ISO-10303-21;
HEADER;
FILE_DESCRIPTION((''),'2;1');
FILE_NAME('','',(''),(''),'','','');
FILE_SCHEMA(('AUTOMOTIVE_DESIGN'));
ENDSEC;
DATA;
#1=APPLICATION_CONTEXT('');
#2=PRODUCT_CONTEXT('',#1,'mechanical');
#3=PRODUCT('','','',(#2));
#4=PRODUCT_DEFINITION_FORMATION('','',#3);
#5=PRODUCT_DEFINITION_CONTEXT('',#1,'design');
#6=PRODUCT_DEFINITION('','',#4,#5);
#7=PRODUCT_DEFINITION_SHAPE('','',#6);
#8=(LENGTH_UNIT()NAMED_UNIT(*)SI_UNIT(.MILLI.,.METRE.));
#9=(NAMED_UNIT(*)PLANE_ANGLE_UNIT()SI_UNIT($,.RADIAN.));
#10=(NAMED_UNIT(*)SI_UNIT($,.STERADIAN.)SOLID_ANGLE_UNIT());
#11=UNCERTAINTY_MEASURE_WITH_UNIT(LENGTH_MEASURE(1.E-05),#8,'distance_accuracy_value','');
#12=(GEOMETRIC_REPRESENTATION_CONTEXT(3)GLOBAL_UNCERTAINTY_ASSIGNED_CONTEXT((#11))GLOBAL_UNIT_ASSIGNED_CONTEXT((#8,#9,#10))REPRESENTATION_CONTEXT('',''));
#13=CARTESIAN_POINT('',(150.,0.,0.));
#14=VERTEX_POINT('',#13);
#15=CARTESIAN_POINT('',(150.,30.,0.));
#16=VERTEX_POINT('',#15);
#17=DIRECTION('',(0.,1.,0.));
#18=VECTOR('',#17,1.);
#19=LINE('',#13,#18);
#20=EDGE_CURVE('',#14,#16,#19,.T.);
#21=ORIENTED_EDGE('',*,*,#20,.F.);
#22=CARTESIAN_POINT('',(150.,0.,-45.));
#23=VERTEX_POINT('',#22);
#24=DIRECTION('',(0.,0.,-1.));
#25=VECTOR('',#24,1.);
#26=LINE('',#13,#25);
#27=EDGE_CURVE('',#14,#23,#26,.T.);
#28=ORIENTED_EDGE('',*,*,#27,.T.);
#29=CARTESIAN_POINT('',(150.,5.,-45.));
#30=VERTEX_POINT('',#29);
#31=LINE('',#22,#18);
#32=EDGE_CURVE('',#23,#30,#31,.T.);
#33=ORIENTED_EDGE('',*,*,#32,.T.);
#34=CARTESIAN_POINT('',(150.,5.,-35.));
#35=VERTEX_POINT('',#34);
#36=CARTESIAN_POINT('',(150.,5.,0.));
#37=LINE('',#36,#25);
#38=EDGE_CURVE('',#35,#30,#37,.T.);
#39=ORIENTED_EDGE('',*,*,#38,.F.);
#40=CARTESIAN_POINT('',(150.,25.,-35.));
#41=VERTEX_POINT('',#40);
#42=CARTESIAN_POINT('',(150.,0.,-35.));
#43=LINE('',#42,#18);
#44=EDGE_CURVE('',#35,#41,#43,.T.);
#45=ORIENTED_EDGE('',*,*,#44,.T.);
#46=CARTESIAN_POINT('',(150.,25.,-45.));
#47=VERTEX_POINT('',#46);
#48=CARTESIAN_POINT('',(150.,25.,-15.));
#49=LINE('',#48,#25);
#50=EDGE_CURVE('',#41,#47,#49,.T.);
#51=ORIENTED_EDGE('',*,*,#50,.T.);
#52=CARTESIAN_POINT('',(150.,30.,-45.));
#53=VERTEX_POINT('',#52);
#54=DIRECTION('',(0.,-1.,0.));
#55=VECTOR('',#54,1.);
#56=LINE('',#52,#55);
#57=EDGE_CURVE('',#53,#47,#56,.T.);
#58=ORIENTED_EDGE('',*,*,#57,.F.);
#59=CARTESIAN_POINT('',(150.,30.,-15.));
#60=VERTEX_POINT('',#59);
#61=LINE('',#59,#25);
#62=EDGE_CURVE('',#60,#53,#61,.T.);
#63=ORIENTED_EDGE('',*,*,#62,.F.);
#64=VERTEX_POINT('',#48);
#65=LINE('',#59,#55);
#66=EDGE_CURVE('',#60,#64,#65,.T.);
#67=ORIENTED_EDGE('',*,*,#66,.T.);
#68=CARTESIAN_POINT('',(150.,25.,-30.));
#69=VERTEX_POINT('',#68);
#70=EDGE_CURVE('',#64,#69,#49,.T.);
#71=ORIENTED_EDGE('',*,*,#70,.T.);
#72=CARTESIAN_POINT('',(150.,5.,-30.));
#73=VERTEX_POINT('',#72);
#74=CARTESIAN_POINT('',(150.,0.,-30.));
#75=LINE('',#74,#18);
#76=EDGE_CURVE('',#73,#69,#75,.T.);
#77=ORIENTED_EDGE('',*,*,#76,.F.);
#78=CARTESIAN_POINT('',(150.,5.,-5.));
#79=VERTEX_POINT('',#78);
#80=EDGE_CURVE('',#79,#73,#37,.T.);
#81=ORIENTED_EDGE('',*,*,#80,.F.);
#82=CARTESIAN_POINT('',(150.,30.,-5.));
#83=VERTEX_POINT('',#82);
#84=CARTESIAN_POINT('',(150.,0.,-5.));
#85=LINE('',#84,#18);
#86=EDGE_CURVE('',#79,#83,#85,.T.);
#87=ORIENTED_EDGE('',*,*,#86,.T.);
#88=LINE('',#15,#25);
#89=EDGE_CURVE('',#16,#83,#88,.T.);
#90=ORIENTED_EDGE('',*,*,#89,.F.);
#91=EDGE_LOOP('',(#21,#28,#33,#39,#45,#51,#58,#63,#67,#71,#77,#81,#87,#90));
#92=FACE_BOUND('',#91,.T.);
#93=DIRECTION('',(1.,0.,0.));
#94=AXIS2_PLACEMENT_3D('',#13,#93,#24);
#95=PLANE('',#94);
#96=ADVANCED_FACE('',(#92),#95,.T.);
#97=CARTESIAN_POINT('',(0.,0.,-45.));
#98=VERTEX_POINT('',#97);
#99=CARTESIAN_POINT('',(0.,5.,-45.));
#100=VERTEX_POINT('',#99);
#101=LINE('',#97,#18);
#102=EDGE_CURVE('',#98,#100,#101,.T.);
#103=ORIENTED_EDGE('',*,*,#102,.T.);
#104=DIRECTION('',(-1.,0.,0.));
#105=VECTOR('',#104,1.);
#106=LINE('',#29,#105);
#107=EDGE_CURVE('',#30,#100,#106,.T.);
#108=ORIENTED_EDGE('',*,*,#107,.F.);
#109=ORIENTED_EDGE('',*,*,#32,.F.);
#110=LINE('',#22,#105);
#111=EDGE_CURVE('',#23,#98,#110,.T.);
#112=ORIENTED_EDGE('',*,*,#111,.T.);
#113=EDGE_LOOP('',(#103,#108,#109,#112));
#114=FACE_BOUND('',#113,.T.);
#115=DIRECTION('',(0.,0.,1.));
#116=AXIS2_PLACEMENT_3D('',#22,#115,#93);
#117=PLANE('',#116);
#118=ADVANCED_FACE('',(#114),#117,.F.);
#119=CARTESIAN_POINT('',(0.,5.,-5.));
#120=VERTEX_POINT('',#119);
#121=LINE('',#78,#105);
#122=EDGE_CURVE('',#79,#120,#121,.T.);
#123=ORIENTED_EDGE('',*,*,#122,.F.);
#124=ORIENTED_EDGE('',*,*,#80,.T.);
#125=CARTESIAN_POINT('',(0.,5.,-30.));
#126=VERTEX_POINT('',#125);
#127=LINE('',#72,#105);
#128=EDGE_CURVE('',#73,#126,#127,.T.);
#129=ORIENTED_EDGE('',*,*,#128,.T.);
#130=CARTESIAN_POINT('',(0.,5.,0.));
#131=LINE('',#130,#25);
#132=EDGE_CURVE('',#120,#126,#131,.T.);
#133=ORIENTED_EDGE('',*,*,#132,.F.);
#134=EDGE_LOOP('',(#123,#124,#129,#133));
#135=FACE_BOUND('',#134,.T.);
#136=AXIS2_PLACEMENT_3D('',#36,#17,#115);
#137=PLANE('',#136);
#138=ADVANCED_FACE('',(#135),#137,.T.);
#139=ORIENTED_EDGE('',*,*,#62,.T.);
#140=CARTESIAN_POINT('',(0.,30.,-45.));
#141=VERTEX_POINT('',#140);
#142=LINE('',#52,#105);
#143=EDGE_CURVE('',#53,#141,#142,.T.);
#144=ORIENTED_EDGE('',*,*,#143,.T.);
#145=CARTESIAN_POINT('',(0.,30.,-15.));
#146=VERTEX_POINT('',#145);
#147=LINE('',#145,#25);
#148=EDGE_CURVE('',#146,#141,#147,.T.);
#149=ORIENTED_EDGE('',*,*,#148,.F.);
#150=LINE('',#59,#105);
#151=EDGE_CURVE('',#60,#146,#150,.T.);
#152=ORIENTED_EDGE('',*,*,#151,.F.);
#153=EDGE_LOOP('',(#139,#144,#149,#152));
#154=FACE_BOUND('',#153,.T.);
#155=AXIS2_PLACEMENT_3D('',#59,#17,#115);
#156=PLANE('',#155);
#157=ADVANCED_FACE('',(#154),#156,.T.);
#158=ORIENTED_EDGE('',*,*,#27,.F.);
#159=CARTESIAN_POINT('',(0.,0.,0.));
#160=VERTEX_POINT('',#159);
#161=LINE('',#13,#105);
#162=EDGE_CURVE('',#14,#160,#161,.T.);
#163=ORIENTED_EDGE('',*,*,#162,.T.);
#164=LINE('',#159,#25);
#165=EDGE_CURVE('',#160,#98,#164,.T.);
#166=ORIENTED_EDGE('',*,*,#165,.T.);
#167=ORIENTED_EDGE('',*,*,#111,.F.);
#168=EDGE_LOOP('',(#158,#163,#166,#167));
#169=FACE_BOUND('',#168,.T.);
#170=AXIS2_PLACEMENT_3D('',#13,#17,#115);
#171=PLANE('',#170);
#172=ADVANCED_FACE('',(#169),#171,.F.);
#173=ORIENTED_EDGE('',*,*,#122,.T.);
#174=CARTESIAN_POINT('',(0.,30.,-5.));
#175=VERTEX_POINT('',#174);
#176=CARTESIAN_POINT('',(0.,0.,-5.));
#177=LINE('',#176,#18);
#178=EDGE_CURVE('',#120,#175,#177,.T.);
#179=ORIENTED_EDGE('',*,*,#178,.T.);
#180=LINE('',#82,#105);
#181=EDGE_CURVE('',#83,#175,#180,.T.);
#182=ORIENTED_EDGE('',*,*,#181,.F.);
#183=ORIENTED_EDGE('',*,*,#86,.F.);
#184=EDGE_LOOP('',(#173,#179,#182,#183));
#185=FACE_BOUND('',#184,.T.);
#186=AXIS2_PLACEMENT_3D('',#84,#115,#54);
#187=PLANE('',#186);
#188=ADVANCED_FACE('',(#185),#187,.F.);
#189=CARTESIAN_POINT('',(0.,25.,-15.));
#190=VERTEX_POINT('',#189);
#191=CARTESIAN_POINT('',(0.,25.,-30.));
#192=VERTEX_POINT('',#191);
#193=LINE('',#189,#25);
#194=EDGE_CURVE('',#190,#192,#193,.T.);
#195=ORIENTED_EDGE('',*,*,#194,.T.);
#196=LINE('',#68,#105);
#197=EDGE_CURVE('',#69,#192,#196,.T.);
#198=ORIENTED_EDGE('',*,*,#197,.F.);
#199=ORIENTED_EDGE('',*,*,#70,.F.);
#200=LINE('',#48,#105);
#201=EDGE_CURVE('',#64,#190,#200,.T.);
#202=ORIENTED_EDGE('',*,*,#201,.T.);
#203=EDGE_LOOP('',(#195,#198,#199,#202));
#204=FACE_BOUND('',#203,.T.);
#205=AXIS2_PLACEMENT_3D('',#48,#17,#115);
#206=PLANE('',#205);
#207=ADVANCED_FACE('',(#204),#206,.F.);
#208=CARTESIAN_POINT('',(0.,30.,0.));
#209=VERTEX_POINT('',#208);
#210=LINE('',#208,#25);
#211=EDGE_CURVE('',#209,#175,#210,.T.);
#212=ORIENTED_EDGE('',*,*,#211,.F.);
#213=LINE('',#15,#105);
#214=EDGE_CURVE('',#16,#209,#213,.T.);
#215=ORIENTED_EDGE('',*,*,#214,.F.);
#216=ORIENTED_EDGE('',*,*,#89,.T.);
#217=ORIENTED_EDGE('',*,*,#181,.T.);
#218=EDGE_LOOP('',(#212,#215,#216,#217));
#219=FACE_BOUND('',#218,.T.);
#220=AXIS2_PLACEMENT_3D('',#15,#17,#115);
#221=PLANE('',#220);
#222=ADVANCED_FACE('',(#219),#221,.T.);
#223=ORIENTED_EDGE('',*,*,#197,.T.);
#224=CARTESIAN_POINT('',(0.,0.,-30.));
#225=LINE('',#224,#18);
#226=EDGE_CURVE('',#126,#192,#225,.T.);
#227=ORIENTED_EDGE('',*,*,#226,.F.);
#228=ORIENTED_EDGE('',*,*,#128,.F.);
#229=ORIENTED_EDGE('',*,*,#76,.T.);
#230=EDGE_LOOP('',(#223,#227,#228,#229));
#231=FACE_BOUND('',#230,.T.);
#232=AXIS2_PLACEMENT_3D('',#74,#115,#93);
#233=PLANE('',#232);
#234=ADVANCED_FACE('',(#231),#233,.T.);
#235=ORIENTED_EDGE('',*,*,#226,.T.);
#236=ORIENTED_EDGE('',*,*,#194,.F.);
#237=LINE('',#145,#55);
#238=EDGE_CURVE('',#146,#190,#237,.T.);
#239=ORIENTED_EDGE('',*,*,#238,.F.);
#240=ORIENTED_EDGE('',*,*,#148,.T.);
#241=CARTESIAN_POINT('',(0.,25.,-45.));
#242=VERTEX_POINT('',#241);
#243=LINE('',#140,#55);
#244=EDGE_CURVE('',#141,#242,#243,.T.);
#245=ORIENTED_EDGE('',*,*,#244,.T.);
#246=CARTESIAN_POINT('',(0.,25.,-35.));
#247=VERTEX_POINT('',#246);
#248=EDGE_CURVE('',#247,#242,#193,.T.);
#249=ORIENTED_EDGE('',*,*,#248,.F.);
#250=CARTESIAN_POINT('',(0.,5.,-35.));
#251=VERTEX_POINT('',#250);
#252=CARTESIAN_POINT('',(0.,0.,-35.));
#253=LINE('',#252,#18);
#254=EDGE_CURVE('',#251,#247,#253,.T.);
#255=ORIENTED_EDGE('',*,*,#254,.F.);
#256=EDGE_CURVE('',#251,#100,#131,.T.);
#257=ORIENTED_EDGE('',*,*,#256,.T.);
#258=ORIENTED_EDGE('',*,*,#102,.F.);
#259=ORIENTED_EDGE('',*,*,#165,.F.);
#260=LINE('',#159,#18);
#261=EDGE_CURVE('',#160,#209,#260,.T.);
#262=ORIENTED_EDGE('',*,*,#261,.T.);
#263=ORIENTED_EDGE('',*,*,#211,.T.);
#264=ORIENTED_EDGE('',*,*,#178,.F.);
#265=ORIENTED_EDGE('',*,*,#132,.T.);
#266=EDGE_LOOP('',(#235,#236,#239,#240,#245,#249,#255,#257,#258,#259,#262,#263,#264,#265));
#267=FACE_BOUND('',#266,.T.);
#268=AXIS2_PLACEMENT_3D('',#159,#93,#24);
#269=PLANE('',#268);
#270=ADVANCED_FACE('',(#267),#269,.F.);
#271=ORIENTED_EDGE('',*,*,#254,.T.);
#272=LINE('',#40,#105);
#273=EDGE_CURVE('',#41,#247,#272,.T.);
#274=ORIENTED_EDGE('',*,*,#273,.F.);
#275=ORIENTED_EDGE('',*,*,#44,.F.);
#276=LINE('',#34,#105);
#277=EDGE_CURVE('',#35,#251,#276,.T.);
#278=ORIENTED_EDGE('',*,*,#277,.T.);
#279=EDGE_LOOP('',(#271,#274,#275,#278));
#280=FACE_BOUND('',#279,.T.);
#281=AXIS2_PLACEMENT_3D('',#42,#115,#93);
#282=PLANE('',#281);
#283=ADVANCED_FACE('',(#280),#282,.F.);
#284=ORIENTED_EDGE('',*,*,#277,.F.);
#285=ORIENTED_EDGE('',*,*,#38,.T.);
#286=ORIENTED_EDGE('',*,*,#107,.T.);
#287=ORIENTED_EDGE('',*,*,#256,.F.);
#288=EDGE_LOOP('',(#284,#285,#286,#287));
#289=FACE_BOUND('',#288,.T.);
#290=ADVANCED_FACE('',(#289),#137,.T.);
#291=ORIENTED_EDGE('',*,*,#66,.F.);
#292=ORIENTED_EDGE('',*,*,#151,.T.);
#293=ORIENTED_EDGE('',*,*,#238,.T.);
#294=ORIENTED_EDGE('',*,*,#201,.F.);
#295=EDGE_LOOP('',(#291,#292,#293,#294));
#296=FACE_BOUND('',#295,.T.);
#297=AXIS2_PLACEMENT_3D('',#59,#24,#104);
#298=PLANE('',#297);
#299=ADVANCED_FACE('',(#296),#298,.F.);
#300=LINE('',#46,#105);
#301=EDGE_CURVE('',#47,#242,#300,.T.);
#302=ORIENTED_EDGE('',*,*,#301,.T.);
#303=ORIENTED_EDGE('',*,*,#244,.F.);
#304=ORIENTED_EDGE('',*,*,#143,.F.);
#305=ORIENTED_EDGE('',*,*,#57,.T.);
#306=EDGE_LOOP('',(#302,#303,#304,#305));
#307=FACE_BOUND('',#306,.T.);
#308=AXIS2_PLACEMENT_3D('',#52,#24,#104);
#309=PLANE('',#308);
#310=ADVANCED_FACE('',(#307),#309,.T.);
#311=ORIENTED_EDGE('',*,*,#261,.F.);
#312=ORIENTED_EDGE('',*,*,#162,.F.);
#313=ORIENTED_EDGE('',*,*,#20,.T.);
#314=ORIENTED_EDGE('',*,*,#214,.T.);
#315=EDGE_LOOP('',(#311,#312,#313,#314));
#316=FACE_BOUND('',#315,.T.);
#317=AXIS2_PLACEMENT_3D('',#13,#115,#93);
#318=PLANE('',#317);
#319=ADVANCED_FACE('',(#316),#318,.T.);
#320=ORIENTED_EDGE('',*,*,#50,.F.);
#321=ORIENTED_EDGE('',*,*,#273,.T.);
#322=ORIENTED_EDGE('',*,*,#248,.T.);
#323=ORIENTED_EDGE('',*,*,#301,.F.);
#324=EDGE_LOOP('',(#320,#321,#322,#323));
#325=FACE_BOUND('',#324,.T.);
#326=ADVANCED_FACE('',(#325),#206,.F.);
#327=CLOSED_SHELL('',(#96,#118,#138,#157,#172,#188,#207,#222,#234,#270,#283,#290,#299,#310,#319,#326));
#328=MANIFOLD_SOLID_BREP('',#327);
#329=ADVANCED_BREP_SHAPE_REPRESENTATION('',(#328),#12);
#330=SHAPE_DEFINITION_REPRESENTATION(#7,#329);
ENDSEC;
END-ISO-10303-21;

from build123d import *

# Parameters (mm, degrees)
EXTRUDE_1_DEPTH = 150


with BuildPart() as part:
    # Эскиз1 → Бобышка-Вытянуть1 (new body)
    with BuildSketch(Plane(origin=(0, 0, 0), x_dir=(0, 0, -1), z_dir=(1, 0, 0))):
        Polygon((0, 0), (45, 0), (45, 5), (35, 5), (35, 25), (45, 25), (45, 30), (15, 30), (15, 25), (30, 25), (30, 5), (5, 5), (5, 30), (0, 30), align=None)
    extrude(amount=EXTRUDE_1_DEPTH)


solid = part.part
